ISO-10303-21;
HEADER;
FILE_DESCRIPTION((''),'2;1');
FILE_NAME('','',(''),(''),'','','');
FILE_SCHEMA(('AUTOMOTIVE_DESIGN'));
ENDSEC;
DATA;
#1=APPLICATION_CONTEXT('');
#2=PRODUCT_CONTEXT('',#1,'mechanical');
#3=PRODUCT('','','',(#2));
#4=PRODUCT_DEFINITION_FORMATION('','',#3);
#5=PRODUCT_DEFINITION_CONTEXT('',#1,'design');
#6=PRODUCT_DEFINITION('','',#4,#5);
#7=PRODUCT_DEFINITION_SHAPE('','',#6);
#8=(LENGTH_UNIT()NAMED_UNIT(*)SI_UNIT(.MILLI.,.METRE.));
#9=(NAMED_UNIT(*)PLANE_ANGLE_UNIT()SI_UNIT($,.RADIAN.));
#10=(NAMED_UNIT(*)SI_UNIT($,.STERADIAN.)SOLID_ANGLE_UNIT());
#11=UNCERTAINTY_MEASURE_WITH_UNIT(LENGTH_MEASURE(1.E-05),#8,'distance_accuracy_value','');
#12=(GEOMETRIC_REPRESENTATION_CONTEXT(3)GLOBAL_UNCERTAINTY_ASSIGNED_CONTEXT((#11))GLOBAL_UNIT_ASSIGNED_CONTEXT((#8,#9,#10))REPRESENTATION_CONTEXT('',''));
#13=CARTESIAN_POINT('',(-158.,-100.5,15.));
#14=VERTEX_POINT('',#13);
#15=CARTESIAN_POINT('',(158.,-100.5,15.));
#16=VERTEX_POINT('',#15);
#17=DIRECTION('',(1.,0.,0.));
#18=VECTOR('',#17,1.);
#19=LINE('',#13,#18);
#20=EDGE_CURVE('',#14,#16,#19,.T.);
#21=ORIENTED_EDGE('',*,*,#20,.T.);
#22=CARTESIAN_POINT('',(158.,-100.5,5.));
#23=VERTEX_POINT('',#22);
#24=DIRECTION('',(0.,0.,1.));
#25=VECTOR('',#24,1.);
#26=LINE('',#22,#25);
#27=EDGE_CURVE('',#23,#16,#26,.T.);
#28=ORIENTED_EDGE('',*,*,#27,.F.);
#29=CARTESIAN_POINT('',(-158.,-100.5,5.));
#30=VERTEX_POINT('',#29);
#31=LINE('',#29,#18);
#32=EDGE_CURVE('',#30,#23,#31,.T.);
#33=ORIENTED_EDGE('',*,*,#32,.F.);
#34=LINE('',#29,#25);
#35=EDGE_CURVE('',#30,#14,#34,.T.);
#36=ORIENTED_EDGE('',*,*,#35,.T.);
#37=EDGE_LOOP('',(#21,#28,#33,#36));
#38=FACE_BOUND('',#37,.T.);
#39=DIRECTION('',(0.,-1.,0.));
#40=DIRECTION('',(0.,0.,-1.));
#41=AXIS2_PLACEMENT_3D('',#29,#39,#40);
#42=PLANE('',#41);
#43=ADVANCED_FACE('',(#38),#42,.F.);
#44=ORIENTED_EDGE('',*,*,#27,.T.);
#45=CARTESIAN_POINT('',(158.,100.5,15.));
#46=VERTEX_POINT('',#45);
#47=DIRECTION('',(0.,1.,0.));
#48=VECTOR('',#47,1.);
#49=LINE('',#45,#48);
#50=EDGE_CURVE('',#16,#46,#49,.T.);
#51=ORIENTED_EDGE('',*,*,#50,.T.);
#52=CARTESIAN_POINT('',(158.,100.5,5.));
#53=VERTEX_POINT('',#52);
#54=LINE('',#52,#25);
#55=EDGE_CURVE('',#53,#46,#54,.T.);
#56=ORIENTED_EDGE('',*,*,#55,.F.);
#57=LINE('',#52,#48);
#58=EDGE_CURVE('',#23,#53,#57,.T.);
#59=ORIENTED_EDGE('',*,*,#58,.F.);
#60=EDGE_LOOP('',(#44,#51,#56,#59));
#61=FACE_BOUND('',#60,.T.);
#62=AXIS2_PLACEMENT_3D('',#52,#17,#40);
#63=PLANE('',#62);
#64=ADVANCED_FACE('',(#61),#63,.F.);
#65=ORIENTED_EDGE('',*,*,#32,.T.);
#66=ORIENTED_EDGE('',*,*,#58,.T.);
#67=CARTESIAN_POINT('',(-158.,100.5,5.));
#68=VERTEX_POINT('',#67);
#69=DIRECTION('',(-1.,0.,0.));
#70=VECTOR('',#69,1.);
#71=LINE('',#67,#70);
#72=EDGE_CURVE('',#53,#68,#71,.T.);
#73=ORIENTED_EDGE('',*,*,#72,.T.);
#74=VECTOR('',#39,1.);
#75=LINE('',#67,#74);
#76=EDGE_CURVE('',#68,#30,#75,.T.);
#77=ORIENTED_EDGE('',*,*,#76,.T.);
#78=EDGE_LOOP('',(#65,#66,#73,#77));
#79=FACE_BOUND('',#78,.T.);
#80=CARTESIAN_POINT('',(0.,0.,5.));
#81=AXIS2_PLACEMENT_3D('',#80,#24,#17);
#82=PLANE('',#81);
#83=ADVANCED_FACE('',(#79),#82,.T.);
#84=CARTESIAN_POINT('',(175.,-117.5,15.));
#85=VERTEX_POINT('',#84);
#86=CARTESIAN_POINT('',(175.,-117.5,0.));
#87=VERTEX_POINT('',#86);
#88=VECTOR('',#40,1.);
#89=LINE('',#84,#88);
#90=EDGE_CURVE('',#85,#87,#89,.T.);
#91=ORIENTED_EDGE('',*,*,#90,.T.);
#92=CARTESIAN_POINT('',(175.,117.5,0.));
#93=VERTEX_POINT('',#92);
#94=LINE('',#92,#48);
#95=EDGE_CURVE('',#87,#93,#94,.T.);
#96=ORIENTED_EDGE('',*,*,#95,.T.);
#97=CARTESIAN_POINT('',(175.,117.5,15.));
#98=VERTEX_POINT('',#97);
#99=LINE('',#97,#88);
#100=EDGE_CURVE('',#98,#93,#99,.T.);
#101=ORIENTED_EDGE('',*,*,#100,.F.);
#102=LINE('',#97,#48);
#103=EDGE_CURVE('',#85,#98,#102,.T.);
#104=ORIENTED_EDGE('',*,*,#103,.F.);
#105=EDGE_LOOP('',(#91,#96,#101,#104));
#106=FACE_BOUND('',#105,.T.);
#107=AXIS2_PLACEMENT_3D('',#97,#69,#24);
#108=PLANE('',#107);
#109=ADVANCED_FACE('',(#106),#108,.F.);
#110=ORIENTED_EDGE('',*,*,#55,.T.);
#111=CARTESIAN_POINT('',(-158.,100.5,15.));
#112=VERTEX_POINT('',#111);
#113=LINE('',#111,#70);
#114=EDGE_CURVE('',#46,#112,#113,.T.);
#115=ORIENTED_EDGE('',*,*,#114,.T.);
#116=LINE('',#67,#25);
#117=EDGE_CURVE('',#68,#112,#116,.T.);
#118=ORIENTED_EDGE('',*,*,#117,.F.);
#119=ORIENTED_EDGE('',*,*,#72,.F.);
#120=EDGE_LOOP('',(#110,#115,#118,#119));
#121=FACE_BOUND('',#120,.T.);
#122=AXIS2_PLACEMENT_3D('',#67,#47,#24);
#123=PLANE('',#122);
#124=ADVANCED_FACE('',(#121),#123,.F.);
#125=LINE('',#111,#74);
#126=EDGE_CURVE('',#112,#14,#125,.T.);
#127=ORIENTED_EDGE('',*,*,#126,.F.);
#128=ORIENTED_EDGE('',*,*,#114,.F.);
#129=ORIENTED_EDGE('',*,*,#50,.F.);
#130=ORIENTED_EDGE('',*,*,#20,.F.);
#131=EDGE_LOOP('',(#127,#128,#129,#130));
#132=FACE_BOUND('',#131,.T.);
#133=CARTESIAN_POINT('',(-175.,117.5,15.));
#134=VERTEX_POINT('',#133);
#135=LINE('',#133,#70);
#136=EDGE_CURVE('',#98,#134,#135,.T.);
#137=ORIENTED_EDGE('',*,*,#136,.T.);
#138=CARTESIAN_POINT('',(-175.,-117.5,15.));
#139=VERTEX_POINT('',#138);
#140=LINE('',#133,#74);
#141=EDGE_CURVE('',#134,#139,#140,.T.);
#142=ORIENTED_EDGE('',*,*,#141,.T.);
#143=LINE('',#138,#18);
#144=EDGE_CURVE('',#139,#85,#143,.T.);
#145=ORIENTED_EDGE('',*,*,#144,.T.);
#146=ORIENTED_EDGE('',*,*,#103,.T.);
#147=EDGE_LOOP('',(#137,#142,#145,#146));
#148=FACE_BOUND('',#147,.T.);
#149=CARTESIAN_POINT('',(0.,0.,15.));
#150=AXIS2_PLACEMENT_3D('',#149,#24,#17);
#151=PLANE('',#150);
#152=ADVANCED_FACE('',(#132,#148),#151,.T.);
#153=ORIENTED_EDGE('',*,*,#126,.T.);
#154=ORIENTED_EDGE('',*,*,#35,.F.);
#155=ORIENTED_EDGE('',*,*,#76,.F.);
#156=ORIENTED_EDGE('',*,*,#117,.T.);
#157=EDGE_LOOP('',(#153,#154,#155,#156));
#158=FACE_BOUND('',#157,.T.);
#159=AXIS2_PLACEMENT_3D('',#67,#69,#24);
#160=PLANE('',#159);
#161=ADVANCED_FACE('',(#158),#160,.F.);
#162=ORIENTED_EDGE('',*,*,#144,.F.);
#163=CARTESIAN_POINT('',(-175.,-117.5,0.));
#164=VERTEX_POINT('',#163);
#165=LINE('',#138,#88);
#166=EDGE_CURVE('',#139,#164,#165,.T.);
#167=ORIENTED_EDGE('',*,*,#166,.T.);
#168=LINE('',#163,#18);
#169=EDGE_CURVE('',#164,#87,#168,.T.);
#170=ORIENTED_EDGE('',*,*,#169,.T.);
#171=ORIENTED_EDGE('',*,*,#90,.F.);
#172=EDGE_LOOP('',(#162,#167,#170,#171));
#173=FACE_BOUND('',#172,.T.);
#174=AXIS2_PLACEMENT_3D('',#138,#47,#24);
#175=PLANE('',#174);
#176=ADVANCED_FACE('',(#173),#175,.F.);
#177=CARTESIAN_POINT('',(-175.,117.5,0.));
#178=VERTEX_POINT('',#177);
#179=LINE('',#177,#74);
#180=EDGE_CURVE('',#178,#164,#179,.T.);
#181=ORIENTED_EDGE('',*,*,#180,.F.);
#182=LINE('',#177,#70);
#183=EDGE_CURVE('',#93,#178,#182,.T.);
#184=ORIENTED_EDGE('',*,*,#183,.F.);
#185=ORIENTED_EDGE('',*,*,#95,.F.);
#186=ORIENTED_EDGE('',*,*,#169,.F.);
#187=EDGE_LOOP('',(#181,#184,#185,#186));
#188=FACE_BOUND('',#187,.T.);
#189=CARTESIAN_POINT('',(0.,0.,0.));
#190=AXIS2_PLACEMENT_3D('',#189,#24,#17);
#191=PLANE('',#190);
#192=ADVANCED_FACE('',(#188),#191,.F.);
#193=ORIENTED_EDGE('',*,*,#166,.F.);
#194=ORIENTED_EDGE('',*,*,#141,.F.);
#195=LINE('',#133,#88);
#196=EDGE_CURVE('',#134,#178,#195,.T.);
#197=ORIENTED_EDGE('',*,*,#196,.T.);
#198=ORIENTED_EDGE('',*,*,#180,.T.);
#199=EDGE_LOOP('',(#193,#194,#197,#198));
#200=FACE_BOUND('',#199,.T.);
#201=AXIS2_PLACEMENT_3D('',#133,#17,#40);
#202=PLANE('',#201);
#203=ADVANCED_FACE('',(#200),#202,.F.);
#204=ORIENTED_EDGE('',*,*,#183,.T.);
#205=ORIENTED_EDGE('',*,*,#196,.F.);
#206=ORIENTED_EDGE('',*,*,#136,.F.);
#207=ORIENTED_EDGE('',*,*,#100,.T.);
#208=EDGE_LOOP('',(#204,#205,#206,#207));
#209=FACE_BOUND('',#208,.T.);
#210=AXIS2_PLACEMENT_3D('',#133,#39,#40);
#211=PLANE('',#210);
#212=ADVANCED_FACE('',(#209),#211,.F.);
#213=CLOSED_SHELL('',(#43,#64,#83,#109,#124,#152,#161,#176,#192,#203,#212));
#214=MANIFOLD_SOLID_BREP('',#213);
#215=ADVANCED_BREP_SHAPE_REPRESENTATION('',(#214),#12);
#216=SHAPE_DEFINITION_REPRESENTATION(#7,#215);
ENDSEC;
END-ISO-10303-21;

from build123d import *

# Parameters (mm, degrees)
SKETCH_1_W          = 350
SKETCH_1_H          = 235
EXTRUDE_1_DEPTH     = 15
SKETCH_2_W          = 316
SKETCH_2_H          = 201
CUT_EXTRUDE_1_DEPTH = 10


with BuildPart() as part:
    # 草图1 → 凸台-拉伸1 (new body)
    with BuildSketch(Plane.XY):
        Rectangle(SKETCH_1_W, SKETCH_1_H)
    extrude(amount=EXTRUDE_1_DEPTH)

    # 草图2 → 切除-拉伸1 (cut)
    with BuildSketch(Plane.XY.offset(15)):
        Rectangle(SKETCH_2_W, SKETCH_2_H)
    extrude(amount=-CUT_EXTRUDE_1_DEPTH, mode=Mode.SUBTRACT)


solid = part.part
